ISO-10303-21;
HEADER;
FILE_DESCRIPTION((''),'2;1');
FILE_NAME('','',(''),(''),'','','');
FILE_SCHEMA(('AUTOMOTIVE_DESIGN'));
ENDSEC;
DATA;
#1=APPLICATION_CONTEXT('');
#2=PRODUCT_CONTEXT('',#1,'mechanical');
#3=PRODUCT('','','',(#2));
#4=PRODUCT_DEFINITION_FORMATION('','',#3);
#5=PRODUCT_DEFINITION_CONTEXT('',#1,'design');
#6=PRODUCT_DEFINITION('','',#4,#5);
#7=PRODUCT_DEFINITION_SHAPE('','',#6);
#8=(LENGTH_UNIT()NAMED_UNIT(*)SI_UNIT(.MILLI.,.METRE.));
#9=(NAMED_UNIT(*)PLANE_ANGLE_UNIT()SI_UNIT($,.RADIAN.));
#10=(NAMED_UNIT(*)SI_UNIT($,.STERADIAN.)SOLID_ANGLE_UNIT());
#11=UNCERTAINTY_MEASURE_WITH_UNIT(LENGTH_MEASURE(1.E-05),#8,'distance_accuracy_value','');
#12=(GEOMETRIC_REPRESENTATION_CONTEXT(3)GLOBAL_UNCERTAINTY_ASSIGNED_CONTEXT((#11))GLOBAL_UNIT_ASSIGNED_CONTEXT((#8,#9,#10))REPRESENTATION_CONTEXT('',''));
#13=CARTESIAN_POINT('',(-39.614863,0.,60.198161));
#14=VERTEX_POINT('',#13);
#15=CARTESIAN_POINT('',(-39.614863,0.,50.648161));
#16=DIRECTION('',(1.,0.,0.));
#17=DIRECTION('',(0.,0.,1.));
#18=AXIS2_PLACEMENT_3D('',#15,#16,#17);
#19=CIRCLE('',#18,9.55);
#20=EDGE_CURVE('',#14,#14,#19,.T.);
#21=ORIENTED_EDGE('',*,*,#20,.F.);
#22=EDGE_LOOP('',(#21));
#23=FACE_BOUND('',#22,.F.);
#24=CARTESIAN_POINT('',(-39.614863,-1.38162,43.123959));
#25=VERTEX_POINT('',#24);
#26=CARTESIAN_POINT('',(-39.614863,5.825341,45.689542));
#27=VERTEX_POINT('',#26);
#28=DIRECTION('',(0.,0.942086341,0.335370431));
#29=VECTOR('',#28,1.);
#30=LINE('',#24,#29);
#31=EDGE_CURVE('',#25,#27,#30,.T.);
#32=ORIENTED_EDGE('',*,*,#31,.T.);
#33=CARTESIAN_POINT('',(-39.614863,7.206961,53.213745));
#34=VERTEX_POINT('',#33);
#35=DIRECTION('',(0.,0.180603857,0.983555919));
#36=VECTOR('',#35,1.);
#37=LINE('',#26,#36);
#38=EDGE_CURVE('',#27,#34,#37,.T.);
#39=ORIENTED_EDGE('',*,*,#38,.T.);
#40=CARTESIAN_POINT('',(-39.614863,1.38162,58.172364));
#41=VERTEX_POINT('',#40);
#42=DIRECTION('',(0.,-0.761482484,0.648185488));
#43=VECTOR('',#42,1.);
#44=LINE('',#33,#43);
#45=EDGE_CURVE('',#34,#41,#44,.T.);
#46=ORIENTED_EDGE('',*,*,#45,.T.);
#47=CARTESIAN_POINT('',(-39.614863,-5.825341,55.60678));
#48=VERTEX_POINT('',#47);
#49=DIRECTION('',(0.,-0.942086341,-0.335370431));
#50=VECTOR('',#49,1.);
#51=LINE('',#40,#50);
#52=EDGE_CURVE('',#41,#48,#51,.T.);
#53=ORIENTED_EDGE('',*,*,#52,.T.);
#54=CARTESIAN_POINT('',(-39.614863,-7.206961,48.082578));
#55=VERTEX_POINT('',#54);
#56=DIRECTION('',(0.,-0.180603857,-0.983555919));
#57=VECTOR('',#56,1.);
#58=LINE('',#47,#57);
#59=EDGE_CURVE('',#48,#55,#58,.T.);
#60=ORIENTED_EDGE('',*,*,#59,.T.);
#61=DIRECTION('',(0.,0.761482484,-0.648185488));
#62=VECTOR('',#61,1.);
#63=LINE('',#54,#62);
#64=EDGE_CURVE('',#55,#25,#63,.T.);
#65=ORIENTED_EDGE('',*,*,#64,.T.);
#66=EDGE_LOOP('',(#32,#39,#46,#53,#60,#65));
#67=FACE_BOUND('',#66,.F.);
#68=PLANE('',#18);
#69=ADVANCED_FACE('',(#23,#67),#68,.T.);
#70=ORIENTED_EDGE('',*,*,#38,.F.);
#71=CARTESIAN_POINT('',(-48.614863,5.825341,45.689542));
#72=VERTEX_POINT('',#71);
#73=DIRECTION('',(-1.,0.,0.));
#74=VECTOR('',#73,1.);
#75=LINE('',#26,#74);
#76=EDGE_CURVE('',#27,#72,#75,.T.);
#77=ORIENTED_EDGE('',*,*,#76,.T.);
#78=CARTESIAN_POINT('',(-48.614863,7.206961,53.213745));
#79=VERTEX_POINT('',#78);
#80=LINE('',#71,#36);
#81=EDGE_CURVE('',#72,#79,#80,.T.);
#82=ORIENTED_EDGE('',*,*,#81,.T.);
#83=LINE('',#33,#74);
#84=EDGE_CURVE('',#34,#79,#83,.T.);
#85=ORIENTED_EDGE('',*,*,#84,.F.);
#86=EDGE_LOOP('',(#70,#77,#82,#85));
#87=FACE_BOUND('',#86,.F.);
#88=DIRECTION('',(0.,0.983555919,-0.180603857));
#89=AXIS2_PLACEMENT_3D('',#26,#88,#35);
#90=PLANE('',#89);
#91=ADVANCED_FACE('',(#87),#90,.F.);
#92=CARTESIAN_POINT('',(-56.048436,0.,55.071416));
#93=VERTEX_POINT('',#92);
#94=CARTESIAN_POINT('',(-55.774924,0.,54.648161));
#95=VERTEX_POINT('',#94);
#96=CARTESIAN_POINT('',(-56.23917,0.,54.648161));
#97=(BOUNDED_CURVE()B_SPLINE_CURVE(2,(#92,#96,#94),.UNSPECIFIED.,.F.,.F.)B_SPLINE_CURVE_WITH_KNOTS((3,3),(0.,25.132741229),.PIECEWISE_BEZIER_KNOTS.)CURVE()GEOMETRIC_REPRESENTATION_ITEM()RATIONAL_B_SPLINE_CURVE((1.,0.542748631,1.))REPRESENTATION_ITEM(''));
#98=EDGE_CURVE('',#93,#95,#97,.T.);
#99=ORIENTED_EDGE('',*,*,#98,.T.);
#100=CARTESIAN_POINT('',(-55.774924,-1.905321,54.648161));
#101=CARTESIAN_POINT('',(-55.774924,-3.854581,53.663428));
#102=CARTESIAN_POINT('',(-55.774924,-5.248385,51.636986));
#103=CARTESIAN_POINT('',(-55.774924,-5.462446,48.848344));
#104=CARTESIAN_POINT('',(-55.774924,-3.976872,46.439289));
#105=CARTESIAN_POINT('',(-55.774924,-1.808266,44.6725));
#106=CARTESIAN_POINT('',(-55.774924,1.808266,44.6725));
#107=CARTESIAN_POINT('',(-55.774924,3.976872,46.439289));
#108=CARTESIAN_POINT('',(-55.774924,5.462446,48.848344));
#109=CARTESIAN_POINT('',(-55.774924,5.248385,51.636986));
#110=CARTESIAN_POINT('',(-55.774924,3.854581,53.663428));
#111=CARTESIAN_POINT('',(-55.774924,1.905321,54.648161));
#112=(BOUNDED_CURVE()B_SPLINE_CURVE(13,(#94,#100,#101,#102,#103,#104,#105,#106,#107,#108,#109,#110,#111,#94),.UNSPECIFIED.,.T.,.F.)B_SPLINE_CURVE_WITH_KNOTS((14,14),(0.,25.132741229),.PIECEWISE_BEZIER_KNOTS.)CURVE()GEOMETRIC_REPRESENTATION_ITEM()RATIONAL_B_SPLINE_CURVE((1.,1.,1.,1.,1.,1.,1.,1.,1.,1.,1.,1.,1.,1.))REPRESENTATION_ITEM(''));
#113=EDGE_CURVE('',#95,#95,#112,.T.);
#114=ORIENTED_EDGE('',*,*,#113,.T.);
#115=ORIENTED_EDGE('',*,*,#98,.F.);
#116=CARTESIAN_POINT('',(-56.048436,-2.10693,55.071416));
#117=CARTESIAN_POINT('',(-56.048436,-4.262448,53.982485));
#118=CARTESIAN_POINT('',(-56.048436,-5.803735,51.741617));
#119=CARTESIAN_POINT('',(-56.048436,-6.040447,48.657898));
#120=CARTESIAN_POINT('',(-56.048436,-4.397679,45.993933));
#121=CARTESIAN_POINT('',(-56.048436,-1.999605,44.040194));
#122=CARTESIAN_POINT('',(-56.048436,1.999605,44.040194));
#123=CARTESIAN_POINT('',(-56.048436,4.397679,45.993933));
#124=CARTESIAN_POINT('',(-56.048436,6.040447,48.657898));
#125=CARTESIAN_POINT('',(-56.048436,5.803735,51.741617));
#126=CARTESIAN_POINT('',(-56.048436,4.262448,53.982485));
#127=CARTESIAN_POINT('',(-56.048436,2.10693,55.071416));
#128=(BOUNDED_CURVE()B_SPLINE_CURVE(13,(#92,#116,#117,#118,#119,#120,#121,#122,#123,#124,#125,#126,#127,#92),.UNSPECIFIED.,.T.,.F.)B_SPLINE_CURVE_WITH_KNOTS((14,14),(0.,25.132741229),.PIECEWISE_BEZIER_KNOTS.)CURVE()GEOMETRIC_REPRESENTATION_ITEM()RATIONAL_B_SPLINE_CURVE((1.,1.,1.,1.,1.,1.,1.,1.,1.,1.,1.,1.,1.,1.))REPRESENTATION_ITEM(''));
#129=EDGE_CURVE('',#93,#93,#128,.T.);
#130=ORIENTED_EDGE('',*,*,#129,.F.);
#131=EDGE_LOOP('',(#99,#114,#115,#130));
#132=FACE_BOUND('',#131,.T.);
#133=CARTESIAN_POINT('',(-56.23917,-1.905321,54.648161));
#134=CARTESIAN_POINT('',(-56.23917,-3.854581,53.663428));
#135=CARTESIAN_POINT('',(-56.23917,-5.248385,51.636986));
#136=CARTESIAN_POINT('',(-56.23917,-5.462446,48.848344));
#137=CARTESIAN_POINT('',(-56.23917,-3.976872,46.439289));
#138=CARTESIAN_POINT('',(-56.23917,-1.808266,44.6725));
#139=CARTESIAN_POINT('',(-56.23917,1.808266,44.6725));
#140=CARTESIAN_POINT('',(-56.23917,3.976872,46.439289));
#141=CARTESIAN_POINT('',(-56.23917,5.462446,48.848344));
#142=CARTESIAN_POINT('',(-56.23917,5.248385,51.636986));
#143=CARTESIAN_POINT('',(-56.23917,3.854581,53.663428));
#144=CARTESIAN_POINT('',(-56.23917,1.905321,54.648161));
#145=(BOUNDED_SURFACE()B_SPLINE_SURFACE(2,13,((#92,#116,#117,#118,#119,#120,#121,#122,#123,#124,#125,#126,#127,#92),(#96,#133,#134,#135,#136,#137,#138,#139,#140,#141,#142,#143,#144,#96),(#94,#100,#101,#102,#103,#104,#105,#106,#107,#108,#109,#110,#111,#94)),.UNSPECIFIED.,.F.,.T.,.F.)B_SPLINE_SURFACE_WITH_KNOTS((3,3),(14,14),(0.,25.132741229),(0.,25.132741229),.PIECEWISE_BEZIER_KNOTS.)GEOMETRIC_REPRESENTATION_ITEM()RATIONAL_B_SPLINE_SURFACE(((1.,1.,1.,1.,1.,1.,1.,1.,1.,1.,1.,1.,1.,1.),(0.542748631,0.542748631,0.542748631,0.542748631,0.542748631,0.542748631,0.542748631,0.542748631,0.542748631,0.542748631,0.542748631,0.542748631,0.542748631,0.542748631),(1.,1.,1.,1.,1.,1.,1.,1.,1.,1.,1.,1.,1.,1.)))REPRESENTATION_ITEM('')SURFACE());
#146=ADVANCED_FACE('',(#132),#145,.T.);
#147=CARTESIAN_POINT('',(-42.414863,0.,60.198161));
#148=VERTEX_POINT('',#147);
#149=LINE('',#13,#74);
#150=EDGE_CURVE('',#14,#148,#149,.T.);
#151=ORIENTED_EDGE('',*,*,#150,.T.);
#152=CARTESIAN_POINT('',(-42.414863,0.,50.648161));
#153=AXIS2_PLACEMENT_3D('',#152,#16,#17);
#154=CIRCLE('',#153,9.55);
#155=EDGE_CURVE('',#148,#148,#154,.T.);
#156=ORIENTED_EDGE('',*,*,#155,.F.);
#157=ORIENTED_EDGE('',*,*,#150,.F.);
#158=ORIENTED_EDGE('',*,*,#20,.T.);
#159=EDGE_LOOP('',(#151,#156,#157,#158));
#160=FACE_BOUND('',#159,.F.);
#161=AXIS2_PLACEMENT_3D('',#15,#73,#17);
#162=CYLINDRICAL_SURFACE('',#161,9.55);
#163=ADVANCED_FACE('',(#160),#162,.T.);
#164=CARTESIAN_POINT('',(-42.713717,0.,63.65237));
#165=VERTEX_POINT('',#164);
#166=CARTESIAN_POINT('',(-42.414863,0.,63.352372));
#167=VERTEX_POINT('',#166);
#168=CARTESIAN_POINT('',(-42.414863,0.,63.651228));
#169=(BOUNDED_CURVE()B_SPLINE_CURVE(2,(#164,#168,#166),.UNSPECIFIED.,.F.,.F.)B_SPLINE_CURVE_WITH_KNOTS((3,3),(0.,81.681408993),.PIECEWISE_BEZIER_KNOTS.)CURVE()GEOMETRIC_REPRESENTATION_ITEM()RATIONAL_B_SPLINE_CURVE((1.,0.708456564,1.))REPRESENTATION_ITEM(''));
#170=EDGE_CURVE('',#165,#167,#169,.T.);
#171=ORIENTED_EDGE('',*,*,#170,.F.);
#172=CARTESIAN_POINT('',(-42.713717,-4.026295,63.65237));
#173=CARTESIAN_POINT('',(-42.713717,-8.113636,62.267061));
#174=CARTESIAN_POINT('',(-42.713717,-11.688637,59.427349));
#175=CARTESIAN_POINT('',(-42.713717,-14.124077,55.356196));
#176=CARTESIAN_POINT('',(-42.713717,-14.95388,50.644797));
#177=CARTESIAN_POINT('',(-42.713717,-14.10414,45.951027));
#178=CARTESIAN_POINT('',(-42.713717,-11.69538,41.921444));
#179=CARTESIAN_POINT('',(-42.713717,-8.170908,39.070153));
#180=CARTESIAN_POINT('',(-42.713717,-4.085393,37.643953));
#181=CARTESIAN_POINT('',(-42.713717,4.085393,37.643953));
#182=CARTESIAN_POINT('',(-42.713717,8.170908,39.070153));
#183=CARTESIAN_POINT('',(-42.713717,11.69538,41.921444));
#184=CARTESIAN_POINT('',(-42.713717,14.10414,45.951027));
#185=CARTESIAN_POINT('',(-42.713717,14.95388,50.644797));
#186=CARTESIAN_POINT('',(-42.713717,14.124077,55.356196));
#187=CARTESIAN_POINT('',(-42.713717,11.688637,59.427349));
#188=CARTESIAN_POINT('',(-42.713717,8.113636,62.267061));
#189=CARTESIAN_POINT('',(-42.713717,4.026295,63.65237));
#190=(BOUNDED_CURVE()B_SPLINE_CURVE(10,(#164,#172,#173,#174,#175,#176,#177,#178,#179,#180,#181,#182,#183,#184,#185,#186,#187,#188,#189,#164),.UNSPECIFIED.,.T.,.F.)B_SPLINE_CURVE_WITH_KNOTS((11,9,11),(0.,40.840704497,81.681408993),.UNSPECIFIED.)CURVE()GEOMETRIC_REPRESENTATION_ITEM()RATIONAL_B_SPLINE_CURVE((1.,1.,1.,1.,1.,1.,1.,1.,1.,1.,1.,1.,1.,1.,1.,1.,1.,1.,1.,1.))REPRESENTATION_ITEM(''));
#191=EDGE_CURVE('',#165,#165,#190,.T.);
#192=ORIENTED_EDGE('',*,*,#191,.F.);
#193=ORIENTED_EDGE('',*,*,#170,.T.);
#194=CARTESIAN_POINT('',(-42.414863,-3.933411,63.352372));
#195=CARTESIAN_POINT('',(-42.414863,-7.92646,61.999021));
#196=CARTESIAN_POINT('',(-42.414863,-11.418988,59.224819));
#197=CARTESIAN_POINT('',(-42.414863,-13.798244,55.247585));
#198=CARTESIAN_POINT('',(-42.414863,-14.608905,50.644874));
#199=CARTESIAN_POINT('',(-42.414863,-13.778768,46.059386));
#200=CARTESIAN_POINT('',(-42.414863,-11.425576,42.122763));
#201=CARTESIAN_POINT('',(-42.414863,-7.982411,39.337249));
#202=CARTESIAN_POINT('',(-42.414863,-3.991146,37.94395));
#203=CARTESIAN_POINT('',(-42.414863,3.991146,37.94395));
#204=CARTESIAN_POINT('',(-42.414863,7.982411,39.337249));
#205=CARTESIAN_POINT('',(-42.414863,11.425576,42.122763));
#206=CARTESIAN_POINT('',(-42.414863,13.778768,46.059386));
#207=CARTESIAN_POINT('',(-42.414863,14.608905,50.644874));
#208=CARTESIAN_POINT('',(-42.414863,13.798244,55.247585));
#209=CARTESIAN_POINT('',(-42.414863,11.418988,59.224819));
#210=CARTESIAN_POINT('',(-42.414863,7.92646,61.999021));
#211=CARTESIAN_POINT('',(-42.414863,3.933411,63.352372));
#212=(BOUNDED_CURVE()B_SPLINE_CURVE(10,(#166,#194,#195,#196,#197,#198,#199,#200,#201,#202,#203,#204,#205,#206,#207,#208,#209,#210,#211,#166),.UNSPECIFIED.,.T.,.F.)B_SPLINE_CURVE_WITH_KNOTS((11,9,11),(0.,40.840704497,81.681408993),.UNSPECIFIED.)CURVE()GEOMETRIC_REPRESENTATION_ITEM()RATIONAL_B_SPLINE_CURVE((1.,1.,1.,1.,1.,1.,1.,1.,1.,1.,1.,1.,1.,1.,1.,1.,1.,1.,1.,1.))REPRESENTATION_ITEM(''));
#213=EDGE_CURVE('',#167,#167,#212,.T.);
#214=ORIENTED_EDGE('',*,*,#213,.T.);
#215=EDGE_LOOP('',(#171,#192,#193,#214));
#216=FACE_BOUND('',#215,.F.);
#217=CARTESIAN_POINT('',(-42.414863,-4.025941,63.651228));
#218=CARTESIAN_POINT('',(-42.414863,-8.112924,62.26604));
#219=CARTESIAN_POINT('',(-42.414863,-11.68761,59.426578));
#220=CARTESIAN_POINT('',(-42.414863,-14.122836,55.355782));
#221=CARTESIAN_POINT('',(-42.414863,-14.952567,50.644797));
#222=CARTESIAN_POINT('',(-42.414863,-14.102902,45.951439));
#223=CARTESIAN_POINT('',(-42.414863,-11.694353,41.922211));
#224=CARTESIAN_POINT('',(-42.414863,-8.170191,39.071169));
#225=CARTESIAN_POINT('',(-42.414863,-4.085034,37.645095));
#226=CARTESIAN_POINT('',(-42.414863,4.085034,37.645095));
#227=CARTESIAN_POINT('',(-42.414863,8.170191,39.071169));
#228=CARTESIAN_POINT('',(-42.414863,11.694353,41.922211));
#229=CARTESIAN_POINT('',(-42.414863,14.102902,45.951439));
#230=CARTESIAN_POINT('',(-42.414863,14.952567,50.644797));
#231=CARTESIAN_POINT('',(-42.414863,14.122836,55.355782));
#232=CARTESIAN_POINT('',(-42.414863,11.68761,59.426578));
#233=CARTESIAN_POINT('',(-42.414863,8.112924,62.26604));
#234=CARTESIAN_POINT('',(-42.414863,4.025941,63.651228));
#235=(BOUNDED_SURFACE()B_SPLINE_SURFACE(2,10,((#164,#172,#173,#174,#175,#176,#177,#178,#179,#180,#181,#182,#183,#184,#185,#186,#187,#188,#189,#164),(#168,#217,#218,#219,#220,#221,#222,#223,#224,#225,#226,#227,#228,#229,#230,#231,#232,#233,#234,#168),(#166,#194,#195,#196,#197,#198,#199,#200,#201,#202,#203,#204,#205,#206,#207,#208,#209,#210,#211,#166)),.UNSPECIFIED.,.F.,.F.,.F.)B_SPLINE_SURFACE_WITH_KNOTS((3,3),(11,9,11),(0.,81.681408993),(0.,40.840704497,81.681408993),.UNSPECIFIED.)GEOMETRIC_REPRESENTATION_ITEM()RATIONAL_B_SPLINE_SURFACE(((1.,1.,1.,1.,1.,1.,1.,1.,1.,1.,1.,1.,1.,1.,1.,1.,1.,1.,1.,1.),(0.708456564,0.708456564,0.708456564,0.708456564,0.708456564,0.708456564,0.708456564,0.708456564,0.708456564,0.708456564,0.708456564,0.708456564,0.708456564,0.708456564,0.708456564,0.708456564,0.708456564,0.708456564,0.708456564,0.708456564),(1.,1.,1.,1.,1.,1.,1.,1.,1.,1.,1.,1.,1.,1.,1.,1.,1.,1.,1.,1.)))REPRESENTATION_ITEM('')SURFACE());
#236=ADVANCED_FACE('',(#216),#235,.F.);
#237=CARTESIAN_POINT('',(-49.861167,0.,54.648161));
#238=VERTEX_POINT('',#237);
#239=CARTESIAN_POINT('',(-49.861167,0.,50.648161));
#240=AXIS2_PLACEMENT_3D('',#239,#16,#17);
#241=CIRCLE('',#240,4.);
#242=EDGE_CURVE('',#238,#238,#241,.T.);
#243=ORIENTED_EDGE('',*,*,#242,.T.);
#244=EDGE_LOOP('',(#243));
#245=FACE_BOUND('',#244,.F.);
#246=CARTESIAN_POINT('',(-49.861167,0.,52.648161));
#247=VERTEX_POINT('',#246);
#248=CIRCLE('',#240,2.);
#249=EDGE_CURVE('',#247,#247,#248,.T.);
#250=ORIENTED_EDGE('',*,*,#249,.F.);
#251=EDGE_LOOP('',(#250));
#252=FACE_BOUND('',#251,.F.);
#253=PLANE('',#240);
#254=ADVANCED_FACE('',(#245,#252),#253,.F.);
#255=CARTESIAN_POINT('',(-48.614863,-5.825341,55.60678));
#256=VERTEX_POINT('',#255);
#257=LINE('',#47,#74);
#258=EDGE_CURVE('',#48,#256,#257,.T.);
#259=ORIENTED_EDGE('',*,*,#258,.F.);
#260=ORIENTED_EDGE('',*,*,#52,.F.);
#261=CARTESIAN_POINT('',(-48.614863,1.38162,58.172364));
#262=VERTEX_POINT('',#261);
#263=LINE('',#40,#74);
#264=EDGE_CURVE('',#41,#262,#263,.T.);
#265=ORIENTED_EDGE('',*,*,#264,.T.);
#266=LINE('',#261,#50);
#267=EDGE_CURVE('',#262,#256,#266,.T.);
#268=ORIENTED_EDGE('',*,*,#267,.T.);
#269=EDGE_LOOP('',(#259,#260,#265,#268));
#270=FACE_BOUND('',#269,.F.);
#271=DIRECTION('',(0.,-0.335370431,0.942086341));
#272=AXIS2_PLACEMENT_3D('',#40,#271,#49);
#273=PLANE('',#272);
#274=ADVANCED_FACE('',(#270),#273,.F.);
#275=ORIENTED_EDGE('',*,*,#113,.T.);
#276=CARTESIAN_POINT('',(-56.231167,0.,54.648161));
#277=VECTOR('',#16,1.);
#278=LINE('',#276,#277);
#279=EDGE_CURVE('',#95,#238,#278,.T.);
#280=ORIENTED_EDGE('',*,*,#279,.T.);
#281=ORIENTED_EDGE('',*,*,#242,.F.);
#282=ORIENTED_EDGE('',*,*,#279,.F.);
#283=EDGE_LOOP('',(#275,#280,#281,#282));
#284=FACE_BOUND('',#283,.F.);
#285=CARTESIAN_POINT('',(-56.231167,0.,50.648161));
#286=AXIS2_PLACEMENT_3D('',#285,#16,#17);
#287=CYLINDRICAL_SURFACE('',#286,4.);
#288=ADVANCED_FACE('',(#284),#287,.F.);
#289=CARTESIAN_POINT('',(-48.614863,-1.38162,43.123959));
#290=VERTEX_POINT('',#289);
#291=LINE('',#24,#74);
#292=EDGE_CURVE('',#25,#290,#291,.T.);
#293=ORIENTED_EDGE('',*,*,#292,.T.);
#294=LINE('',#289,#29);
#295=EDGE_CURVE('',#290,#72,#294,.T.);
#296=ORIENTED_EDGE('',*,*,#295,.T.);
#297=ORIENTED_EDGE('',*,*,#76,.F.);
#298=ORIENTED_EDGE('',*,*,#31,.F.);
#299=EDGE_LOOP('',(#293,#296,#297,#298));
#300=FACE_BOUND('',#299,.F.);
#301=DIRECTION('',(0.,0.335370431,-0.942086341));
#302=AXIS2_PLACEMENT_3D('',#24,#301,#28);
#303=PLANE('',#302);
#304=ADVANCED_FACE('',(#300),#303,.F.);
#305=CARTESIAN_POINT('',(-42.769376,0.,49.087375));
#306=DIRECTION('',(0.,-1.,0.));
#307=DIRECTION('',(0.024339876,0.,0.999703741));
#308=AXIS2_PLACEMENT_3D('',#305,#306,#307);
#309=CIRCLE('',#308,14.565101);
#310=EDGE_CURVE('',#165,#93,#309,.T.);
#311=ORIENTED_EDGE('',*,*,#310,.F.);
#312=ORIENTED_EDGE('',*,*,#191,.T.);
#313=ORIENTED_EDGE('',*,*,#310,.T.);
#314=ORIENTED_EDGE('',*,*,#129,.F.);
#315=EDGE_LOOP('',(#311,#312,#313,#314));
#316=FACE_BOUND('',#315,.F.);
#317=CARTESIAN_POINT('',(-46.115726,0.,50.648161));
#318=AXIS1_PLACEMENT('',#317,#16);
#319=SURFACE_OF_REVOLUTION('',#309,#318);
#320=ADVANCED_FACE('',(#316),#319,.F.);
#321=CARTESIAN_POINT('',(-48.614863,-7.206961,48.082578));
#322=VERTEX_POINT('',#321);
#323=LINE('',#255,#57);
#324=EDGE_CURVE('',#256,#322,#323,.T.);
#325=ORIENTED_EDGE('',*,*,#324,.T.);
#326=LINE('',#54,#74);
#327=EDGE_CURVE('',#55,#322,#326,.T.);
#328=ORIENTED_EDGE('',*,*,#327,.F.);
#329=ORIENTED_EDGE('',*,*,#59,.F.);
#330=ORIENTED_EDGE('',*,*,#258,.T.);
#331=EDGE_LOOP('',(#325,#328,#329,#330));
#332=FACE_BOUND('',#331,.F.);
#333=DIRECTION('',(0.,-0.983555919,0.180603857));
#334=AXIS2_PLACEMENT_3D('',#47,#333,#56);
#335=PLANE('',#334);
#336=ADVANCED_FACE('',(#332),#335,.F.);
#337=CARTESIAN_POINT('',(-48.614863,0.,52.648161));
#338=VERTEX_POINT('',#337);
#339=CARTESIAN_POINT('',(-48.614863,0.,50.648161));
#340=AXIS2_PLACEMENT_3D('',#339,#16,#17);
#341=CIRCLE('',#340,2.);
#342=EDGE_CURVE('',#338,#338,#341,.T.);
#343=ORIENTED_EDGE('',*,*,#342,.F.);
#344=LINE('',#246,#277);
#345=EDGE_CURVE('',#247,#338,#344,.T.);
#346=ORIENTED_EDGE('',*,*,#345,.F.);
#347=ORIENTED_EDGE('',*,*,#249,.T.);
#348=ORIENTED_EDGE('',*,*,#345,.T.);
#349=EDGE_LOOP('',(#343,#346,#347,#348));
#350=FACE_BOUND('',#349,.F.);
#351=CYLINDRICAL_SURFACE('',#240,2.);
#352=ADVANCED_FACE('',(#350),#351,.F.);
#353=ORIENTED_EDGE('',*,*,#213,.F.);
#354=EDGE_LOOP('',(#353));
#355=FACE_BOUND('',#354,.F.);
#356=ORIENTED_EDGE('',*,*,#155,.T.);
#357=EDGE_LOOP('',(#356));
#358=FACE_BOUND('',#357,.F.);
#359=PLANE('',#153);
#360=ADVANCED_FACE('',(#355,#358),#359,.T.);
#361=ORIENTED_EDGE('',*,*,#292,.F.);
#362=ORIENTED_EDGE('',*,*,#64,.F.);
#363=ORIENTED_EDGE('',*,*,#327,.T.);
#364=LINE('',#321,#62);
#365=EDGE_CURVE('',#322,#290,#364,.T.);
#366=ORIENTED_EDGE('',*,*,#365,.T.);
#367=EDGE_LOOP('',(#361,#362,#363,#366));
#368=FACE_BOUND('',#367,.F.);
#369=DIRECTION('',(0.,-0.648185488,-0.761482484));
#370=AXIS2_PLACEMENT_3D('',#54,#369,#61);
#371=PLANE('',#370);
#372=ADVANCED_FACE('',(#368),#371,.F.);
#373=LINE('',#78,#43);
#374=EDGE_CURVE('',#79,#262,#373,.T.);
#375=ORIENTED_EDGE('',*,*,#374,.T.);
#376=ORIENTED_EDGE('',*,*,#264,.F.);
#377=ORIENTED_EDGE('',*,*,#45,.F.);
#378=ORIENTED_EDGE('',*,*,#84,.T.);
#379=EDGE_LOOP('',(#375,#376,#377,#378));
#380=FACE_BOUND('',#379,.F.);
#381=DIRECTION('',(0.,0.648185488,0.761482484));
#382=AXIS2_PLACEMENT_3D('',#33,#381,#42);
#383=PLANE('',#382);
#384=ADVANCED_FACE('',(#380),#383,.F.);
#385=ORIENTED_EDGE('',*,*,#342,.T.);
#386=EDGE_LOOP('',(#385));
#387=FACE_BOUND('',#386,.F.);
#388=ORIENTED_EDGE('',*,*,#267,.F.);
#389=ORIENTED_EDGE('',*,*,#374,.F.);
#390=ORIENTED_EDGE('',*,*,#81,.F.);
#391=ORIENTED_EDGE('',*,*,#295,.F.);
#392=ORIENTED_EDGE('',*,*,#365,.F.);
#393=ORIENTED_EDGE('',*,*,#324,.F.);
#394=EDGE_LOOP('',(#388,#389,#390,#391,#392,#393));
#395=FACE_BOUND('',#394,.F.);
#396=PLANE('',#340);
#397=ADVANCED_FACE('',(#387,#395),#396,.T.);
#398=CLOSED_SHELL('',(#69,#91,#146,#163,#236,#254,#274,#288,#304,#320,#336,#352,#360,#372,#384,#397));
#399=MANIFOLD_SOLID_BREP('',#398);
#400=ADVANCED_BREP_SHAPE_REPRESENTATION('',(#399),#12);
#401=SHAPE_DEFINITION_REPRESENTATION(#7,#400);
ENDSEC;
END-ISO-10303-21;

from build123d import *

# Parameters (mm, degrees)
F2_R     = 3.65
F3_DEPTH = 9
F4_R     = 0.3


with BuildPart() as f1:
    # F0 (on Front) → F1 (revolve)
    with BuildSketch(Plane.XZ):
        with BuildLine():
            ThreePointArc((-42.4148629687, 63.6481613441), (-50.7192303521, 61.2915541367), (-56.2311671597, 54.6481613441))
            Line((-56.2311671597, 54.6481613441), (-49.8611671597, 54.6481613441))
            Line((-49.8611671597, 54.6481613441), (-49.8611671597, 52.6481613441))
            Line((-49.8611671597, 52.6481613441), (-48.6148629687, 52.6481613441))
            Line((-48.6148629687, 52.6481613441), (-48.6148629687, 54.2981613441))
            Line((-48.6148629687, 54.2981613441), (-39.6148629687, 54.2981613441))
            Line((-39.6148629687, 54.2981613441), (-39.6148629687, 60.1981613441))
            Line((-39.6148629687, 60.1981613441), (-42.4148629687, 60.1981613441))
            Line((-42.4148629687, 60.1981613441), (-42.4148629687, 63.6481613441))
        make_face()
    revolve(axis=Axis((-46.1157262325, 0, 50.6481613441), (1, 0, 0)))

    # F2 (on face) → F3 (cut)
    with BuildSketch(Plane.YZ.offset(-39.6148629687)):
        Polygon((5.8253410005, 45.6895423602), (7.206960508, 53.2137451444), (1.3816195075, 58.1723641283), (-5.8253410005, 55.606780328), (-7.206960508, 48.0825775439), (-1.3816195075, 43.12395856), align=None)
        with Locations((0, 50.6481613441)):
            Circle(F2_R, mode=Mode.SUBTRACT)
    extrude(amount=-F3_DEPTH, mode=Mode.SUBTRACT)

    # F4
    f4_edges = [f1.edges().sort_by_distance(p)[0] for p in [
        (-56.231167, 0, 46.648161),
        (-42.414863, 0, 37.648161),
        (-50.71923, 0, 61.291554),
    ]]
    fillet(f4_edges, radius=F4_R)


solid = f1.part
